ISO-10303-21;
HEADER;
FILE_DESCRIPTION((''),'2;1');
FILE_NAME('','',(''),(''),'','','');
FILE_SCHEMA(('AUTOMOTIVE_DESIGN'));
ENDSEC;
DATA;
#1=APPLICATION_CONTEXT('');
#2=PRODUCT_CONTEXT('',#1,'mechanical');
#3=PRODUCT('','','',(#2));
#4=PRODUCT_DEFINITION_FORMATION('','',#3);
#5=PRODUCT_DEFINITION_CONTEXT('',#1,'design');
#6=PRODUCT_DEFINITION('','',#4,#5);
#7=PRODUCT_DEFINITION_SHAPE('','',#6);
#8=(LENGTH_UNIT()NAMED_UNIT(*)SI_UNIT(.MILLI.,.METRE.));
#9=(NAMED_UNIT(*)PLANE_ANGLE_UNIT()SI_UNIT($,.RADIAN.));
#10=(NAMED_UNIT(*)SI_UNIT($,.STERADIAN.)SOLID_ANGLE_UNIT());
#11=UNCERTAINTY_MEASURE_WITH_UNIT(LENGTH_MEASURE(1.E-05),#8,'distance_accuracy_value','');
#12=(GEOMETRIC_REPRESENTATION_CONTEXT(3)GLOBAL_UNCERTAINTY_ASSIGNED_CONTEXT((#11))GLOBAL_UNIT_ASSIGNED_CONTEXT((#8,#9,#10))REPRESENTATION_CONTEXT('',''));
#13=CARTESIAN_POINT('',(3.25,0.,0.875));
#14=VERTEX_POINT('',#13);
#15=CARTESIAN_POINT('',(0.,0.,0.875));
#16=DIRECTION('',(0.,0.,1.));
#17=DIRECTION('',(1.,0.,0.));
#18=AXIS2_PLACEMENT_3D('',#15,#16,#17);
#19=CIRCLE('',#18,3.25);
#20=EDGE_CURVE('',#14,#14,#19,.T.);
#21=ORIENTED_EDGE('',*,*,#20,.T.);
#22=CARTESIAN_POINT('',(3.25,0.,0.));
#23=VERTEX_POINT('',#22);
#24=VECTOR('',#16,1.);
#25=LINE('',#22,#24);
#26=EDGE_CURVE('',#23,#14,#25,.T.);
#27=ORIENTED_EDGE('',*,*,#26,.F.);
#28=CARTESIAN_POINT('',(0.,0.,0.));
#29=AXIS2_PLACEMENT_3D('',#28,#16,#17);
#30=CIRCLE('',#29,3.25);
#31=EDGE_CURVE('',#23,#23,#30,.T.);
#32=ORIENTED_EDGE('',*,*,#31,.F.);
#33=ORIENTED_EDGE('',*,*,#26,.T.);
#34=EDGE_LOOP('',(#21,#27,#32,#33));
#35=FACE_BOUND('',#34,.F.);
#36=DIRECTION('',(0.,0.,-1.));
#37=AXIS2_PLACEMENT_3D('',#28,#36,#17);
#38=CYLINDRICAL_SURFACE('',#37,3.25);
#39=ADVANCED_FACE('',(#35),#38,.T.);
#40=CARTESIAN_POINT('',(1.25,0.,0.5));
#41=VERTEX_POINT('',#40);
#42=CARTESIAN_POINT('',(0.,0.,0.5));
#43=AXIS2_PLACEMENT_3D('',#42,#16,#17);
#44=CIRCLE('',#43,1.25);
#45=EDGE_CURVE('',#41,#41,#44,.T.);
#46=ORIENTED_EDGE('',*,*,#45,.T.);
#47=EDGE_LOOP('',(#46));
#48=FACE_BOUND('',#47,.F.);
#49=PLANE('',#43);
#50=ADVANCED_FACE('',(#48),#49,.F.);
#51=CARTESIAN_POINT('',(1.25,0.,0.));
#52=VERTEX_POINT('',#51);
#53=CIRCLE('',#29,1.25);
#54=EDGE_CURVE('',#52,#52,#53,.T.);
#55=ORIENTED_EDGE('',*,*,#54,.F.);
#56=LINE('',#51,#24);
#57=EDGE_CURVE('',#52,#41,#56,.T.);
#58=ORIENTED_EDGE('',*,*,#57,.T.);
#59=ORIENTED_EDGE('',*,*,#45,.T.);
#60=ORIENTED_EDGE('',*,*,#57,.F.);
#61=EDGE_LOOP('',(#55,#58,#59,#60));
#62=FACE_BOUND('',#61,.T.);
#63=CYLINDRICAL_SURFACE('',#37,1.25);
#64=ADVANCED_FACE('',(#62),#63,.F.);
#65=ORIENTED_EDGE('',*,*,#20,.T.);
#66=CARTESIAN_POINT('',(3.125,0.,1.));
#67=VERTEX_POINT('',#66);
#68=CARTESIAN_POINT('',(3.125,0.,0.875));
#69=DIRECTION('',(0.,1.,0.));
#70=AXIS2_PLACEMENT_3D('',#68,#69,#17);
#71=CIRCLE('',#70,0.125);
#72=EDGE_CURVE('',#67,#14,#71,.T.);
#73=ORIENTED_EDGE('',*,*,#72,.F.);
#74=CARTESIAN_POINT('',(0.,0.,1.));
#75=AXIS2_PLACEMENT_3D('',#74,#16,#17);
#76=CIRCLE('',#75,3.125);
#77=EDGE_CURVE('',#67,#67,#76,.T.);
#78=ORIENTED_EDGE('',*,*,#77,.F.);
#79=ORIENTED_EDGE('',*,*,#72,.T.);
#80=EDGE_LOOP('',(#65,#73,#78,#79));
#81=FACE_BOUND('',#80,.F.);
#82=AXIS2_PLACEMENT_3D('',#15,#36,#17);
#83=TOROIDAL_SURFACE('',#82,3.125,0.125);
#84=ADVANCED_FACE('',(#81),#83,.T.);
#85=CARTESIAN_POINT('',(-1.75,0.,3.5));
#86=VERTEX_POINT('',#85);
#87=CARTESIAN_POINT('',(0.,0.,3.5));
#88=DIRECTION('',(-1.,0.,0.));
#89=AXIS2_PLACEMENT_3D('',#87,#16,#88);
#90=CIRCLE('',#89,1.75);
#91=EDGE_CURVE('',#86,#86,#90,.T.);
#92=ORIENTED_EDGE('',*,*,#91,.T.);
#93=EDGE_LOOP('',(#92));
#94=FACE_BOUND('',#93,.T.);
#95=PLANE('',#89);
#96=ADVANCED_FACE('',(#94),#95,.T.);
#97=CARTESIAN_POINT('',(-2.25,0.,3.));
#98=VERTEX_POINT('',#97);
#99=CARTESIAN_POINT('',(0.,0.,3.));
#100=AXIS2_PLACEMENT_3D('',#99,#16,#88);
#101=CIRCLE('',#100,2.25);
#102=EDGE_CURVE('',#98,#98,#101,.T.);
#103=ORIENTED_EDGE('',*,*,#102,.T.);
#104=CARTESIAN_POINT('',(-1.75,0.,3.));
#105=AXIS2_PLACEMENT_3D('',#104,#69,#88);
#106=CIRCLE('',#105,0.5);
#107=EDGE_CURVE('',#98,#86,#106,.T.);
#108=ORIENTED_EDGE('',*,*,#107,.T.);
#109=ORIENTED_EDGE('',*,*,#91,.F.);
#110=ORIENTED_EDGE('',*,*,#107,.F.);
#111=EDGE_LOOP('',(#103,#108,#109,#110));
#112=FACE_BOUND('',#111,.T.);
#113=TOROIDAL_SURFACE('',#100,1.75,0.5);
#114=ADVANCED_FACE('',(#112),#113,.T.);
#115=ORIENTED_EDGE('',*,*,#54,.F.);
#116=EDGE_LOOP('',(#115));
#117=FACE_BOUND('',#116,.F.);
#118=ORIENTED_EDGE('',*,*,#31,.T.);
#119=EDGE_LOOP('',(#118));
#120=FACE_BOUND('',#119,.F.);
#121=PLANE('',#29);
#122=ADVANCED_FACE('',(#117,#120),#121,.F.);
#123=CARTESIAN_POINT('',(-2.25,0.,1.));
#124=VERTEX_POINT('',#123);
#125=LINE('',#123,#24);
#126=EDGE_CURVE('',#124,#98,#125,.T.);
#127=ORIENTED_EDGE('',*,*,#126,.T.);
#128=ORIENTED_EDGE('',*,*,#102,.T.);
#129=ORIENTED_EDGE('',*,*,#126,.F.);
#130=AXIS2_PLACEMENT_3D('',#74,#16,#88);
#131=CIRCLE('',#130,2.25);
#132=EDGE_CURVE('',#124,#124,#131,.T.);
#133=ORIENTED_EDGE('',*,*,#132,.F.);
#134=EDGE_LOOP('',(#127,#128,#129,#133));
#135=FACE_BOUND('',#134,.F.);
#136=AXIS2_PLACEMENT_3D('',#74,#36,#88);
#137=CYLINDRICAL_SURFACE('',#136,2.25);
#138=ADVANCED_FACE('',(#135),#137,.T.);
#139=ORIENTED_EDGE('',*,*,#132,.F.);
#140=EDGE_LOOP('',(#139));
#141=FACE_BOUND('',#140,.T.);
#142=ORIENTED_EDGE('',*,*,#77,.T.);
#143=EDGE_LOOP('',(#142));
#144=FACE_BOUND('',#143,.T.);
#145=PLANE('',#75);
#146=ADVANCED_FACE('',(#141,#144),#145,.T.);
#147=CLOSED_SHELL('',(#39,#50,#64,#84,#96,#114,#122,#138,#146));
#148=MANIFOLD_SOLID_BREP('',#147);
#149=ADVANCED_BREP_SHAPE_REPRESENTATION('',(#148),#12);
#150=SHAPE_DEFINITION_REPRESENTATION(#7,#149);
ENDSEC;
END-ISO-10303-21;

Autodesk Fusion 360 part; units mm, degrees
sketch "Sketch1" plane through (0, 0, 0) normal (0, 0, 1) x (1, 0, 0)
  circle A0 centre (0, 0) radius 3.25
  dimension "d1" = 6.5
extrude "Extrude1" add sketch "Sketch1" along normal blind 1
sketch "Sketch2" plane through (0, 0, 1) normal (0, 0, 1) x (-1, 0, 0)
  circle A0 centre (0, 0) radius 3.25
  circle A1 centre (0, 0) radius 2.25
  dimension "d4" = 4.5
extrude "Extrude2" add sketch "Sketch2" along normal blind 2.5 contours A1
fillet "Fillet1" radius 0.5 1 edges at (2.0977, 0.8136, 3.5)
fillet "Fillet2" radius 0.125 1 edges at (-3.0301, -1.1753, 1)
sketch "Sketch3" plane through (0, 0, 0) normal (0, 0, 1) x (1, 0, 0)
  circle A0 centre (0, 0) radius 1.25
  dimension "d11" = 2.5
extrude "Extrude3" cut sketch "Sketch3" along normal blind 0.5
